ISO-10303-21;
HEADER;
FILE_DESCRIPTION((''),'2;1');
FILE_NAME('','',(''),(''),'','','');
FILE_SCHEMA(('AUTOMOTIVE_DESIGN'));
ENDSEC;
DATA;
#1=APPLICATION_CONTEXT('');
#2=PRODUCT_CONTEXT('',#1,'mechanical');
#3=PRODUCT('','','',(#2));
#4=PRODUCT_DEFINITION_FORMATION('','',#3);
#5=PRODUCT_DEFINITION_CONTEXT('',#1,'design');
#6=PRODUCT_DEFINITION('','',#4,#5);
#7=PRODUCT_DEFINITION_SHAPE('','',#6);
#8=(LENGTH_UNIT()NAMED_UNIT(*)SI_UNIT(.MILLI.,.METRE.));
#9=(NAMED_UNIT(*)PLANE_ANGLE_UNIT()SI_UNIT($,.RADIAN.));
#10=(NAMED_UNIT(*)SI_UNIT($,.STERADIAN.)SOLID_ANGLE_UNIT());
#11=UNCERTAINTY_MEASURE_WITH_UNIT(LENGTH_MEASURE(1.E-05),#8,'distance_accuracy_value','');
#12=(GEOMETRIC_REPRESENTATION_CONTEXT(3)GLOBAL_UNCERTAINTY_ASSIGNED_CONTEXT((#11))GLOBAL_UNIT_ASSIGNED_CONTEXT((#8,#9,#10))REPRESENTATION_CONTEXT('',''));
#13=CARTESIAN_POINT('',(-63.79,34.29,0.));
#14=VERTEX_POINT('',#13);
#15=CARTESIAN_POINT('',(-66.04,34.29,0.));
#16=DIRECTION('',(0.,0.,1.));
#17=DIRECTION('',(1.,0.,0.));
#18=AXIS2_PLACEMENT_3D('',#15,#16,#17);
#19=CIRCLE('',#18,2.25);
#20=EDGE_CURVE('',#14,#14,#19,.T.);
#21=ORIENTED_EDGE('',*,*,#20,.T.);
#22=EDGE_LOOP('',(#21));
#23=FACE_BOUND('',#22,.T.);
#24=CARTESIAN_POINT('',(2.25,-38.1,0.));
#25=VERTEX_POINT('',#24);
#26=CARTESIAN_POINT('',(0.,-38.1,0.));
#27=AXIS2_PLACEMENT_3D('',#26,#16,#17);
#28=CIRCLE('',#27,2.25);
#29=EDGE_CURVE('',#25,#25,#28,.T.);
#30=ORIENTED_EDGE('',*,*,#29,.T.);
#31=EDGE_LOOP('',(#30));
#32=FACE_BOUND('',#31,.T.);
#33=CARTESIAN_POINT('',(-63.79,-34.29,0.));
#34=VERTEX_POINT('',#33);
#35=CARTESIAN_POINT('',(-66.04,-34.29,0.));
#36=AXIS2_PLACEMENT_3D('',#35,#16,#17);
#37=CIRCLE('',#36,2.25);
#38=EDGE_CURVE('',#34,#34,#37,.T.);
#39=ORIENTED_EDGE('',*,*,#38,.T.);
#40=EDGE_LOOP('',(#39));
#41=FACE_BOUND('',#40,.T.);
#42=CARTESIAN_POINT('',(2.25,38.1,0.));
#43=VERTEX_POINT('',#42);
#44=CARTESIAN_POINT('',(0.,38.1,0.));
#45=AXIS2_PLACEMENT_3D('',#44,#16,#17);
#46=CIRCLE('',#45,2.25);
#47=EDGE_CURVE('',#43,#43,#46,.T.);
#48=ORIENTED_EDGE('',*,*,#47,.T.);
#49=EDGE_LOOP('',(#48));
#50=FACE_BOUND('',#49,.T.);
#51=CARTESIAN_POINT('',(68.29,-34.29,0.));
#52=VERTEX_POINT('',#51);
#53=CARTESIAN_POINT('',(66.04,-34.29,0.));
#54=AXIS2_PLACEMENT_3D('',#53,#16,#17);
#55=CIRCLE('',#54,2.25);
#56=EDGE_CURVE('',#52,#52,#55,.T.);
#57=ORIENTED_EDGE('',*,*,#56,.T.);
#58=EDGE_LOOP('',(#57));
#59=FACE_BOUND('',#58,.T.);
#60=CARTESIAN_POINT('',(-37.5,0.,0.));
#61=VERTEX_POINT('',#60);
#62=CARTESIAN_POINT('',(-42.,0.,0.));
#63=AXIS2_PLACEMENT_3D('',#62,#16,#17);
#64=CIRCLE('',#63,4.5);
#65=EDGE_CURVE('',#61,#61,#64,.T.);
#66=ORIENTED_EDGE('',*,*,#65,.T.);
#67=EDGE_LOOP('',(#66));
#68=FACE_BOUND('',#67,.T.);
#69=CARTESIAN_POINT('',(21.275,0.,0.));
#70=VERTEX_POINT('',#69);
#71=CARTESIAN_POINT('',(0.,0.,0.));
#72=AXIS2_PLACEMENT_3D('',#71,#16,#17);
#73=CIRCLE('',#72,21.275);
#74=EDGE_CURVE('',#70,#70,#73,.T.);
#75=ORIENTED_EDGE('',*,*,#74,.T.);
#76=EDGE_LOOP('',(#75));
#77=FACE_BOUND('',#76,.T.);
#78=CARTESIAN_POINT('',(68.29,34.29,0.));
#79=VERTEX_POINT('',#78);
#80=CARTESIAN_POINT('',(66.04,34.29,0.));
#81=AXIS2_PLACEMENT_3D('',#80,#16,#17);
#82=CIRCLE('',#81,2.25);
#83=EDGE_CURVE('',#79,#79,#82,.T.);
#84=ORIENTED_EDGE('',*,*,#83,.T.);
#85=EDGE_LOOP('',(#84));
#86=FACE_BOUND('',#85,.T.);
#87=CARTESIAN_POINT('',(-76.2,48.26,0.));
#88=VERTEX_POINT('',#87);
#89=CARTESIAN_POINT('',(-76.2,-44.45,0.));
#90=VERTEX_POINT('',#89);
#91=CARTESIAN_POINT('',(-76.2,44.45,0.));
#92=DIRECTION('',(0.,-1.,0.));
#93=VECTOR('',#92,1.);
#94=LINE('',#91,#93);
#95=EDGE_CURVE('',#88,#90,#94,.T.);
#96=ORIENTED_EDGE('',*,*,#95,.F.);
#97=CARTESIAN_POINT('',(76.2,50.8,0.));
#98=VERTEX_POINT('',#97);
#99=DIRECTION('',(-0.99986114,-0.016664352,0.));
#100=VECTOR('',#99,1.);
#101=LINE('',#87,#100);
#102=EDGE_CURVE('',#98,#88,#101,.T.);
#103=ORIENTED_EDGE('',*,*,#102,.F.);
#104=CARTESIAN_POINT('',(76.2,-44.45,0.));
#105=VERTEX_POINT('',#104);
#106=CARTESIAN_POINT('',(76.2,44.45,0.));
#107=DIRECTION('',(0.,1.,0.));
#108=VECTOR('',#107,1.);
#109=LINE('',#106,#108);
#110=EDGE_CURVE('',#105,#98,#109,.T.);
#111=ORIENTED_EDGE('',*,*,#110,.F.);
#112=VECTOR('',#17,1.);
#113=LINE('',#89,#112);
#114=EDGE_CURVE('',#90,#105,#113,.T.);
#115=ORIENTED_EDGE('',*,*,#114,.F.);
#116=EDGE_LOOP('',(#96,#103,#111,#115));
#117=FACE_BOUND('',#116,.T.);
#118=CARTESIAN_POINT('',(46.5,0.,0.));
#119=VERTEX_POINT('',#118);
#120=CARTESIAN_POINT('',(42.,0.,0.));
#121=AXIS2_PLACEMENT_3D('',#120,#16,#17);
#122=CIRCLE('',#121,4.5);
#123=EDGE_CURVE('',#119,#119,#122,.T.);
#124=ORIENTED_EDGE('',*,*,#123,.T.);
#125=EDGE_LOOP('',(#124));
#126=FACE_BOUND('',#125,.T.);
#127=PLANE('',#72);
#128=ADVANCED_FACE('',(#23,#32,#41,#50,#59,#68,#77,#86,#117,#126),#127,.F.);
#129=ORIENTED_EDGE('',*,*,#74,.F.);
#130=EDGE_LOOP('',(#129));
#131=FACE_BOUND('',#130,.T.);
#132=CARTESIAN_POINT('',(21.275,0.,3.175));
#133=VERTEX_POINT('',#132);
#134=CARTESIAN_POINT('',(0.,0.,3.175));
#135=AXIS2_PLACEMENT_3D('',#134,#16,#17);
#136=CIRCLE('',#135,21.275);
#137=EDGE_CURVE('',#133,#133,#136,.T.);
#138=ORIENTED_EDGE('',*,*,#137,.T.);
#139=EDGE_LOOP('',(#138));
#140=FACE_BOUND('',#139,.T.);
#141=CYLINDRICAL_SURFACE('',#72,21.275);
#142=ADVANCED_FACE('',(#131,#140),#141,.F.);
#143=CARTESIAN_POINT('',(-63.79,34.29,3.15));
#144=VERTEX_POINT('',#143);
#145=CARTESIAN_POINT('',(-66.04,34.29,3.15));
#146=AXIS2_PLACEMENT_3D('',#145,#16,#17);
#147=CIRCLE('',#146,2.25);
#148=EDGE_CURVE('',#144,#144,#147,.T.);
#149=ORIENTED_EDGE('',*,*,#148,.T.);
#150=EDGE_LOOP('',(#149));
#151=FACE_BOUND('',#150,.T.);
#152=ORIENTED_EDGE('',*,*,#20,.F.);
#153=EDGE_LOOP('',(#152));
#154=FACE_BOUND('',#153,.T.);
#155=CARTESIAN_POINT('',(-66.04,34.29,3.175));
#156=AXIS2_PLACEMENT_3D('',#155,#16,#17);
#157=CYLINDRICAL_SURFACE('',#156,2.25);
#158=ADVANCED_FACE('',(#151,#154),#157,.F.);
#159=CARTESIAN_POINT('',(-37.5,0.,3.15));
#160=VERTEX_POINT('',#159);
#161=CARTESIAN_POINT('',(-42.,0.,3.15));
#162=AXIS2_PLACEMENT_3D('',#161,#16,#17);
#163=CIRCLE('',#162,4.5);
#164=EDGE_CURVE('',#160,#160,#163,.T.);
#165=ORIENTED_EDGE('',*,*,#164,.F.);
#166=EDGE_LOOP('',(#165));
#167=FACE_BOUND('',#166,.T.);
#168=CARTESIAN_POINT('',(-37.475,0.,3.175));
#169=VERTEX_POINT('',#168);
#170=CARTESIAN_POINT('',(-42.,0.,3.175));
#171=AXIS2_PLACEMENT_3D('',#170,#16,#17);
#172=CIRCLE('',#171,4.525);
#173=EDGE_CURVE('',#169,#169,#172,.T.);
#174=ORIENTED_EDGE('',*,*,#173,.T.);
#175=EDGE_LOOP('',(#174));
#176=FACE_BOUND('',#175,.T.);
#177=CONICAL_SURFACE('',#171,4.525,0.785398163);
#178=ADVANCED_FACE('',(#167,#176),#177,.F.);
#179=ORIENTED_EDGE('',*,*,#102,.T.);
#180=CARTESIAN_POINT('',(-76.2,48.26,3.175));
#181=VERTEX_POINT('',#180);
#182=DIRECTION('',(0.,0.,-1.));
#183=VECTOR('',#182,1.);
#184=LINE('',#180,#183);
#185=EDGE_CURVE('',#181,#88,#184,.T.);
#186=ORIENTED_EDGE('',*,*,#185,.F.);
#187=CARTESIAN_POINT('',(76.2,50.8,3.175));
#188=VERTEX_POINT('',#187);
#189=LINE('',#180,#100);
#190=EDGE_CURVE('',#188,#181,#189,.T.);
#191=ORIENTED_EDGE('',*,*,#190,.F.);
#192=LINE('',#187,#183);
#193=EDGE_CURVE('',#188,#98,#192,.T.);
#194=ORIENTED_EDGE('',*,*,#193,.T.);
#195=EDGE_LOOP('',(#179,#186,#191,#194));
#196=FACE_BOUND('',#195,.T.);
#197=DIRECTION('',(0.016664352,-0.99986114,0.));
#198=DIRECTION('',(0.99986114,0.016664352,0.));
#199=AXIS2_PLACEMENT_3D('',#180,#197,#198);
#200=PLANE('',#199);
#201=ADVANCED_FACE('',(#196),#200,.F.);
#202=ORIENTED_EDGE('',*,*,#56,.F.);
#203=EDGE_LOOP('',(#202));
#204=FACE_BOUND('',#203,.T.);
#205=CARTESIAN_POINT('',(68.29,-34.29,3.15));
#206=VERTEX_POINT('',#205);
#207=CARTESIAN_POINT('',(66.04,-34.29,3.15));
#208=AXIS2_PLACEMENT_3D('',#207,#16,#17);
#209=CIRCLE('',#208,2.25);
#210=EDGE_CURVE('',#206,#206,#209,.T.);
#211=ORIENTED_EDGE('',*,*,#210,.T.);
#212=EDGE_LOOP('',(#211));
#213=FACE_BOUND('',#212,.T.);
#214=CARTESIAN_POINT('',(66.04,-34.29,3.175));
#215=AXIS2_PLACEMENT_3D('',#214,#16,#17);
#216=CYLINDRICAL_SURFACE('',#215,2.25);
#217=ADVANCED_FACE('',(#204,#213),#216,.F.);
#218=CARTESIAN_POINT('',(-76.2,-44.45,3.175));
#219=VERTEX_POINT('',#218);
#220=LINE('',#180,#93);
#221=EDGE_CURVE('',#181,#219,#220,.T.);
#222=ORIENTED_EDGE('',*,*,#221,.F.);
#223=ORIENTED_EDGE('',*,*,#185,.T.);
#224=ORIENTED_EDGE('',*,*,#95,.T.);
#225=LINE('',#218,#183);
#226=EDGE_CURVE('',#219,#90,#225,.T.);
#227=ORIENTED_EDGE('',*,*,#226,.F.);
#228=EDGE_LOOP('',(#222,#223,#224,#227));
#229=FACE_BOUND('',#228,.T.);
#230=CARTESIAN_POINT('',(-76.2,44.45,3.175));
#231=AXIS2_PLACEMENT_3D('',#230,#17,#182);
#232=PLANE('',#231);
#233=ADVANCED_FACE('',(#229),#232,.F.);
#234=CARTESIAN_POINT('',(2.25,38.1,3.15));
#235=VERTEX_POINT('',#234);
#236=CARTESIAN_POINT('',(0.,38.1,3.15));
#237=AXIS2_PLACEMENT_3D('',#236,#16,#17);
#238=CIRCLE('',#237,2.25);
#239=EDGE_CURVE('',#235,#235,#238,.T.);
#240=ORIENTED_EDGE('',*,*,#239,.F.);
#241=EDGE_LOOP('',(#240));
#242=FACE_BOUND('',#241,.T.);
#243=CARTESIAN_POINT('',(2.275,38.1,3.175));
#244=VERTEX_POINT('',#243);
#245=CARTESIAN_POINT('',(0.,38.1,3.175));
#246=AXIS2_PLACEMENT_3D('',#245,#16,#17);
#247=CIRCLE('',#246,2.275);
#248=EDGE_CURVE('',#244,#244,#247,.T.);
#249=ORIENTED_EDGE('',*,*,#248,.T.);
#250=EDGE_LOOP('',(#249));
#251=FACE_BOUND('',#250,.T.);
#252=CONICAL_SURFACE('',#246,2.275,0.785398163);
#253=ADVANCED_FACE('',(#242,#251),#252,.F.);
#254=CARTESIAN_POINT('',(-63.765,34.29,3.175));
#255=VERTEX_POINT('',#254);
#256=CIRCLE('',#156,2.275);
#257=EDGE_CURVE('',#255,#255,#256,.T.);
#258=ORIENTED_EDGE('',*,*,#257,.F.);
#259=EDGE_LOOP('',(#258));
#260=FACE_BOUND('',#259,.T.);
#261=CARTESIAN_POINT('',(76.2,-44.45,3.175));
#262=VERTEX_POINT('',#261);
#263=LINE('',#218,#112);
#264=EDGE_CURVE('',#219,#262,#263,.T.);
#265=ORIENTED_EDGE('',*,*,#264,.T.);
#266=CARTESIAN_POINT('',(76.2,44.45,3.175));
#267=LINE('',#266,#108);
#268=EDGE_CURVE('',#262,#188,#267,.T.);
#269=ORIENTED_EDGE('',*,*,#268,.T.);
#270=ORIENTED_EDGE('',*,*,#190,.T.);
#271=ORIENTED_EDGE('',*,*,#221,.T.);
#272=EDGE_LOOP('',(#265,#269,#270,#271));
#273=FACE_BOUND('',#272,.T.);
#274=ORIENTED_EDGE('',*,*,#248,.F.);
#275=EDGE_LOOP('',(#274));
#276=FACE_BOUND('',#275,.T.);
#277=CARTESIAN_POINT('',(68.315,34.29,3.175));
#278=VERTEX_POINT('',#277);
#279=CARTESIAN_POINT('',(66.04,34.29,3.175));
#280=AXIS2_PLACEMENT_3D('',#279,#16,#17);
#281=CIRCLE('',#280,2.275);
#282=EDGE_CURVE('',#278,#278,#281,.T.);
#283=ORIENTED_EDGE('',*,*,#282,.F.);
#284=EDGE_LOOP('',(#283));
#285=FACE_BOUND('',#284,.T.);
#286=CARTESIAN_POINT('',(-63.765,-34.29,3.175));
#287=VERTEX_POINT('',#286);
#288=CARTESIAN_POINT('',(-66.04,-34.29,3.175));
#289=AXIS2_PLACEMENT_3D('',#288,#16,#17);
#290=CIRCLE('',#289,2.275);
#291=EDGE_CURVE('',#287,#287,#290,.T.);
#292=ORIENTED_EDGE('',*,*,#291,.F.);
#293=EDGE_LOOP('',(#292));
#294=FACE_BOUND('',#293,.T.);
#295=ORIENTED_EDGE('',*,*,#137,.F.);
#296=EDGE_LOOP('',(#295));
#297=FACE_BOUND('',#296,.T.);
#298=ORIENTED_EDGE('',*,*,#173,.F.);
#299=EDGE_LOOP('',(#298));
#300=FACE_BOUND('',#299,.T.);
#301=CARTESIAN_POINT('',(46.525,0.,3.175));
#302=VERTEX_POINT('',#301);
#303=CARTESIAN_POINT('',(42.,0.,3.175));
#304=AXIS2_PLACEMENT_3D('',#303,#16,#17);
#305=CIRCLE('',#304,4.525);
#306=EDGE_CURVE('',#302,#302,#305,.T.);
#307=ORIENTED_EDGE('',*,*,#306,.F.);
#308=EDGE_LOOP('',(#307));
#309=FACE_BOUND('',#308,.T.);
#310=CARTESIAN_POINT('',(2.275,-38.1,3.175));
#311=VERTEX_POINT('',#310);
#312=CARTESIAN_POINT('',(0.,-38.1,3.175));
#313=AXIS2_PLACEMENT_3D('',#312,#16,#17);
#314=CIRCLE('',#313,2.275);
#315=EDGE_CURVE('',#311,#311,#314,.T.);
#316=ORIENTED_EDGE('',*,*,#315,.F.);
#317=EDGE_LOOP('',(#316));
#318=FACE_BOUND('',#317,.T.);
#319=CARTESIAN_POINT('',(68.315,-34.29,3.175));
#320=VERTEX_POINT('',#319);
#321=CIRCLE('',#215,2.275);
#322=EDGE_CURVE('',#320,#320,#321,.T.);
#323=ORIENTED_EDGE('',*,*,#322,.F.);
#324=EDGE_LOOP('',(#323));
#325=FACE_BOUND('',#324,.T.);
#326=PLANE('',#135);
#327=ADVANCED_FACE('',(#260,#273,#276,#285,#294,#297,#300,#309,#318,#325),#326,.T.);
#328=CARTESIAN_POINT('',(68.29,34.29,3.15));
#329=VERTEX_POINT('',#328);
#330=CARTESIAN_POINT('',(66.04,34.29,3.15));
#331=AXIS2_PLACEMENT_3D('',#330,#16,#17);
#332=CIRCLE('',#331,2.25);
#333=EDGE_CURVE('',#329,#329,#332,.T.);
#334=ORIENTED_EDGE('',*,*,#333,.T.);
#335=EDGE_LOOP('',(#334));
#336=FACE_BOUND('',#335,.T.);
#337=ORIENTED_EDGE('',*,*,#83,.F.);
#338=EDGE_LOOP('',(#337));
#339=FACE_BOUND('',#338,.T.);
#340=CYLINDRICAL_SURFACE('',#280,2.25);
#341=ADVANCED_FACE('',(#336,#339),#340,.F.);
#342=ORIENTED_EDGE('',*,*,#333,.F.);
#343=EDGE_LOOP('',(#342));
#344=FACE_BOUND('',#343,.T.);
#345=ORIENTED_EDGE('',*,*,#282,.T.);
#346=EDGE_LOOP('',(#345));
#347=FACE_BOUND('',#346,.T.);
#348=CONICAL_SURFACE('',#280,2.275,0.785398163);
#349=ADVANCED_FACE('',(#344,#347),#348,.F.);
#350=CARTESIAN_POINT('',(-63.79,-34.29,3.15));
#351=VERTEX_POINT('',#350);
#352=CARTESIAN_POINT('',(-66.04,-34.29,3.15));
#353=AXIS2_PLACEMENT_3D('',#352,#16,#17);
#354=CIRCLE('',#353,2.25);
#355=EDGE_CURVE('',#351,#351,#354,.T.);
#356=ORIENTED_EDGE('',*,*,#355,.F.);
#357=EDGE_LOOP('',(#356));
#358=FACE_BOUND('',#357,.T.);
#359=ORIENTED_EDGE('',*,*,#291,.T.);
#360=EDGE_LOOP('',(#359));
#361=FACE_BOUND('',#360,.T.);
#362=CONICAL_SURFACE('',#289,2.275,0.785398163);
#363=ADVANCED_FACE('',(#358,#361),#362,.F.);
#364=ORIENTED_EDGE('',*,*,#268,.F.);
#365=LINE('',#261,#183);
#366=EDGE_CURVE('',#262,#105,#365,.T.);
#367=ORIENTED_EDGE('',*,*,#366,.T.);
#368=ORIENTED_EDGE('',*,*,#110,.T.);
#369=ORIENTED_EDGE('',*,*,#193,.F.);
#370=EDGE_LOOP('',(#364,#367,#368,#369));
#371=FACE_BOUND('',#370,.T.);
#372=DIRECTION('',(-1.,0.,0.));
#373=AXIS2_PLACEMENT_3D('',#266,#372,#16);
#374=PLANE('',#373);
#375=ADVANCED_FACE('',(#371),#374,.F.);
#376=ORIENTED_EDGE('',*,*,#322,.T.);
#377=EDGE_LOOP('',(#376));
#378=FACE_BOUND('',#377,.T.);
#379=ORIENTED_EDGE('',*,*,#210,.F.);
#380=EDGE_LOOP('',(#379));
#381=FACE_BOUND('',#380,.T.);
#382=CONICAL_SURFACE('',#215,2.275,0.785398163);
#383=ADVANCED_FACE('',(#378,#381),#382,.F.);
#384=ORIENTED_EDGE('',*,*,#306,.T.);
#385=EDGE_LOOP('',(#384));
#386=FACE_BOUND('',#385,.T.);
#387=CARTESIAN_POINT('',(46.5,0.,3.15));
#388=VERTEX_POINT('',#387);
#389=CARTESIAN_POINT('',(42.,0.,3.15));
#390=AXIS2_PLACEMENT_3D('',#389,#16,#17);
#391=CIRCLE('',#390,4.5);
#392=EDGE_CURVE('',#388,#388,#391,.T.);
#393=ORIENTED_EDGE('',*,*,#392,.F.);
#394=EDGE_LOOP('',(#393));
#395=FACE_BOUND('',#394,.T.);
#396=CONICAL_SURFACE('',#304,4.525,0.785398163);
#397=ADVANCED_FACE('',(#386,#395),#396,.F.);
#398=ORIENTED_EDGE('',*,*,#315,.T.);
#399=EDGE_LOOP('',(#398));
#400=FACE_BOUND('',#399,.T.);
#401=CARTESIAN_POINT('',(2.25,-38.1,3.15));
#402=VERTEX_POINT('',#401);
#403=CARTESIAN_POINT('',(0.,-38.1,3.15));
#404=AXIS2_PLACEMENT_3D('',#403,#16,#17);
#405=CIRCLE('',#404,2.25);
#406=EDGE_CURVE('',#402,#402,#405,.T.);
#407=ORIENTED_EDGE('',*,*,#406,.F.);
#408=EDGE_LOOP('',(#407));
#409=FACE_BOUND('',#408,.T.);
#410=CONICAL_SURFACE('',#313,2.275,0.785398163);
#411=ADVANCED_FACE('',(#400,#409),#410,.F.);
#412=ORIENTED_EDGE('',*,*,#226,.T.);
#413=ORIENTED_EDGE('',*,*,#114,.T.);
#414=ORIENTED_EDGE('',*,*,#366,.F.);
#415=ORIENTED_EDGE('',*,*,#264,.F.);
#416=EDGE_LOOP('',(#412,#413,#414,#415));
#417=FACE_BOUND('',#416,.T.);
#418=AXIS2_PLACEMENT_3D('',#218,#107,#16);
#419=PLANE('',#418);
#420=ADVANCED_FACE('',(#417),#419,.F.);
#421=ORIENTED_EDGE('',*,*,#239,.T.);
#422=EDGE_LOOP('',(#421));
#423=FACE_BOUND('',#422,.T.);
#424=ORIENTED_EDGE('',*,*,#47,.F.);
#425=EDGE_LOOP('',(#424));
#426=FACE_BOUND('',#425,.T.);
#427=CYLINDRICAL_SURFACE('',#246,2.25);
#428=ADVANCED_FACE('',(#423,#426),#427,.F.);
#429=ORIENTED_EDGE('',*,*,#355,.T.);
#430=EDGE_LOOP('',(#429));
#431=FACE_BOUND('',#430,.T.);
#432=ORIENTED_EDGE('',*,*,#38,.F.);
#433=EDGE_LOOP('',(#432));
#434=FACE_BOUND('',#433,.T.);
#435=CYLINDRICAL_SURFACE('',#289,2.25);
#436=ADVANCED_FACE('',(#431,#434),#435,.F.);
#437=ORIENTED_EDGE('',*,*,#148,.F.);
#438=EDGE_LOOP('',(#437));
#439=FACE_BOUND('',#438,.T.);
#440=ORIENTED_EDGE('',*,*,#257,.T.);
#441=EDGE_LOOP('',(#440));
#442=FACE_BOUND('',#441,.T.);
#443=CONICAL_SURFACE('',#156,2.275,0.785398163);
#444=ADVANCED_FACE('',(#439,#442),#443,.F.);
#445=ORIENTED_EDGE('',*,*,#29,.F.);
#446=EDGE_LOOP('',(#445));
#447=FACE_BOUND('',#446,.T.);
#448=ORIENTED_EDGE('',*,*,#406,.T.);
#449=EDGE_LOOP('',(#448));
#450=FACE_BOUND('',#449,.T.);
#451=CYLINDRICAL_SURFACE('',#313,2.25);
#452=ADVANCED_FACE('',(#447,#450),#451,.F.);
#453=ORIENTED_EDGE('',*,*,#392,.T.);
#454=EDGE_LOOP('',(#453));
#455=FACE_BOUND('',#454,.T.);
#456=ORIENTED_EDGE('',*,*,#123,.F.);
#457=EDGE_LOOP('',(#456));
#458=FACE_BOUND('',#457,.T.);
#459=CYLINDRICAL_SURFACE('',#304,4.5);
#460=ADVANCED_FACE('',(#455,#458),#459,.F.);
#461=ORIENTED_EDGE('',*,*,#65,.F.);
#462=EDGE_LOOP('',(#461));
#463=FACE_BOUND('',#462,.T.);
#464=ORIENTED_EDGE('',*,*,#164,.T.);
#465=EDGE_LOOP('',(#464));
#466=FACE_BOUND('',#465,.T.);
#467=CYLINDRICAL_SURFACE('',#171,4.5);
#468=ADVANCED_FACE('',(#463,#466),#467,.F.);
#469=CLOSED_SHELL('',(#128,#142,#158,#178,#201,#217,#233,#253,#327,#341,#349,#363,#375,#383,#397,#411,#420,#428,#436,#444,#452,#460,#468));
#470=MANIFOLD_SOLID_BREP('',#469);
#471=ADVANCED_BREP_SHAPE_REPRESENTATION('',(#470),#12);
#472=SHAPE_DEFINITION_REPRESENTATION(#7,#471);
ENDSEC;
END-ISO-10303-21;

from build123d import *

# Parameters (mm, degrees)
BOSS_EXTRUDE1_DEPTH            = 3.175
M4_CLEARANCE_HOLE1_D           = 4.5
M4_CLEARANCE_HOLE1_CSINK_D     = 4.55
M4_CLEARANCE_HOLE1_CSINK_ANGLE = 90
M8_CLEARANCE_HOLE1_AT_2_COUNT  = 2
M8_CLEARANCE_HOLE1_AT_2_PITCH  = 84
SKETCH9_R                      = 21.275
CENTER_HOLE_DEPTH              = 4.175


with BuildPart() as part:
    # Sketch1 → Boss-Extrude1 (new body)
    with BuildSketch(Plane.XY):
        Polygon((-76.2, 48.26), (-76.2, 44.45), (-76.2, -44.45), (76.2, -44.45), (76.2, 44.45), (76.2, 50.8), align=None)
    extrude(amount=BOSS_EXTRUDE1_DEPTH)

    # M4 Clearance Hole1 (through all)
    with Locations(Plane.XY.offset(3.175)):
        with Locations((0, 38.1), (-66.04, 34.29), (-66.04, -34.29), (0, -38.1), (66.04, -34.29), (66.04, 34.29)):
            CounterSinkHole(M4_CLEARANCE_HOLE1_D / 2, M4_CLEARANCE_HOLE1_CSINK_D / 2, counter_sink_angle=M4_CLEARANCE_HOLE1_CSINK_ANGLE)

    # Sketch11 → M8 Clearance Hole1 (revolve, cut)
    with BuildSketch(Plane(origin=(-42, 0, 3.175), x_dir=(0, -1, 0), z_dir=(1, 0, 0))):
        Polygon((0, 0), (0, 3.175), (4.5, 3.175), (4.5, 0.025), (4.525, 0), align=None)
    m8_clearance_hole1 = revolve(axis=Axis((-42, 0, 9.525), (0, 0, -1)), mode=Mode.SUBTRACT)

    # M8 Clearance Hole1 at 2: M8 Clearance Hole1 ×2
    with Locations(*[(i * M8_CLEARANCE_HOLE1_AT_2_PITCH, 0, 0) for i in range(1, M8_CLEARANCE_HOLE1_AT_2_COUNT)]):
        add(m8_clearance_hole1, mode=Mode.SUBTRACT)

    # Sketch9 → Center Hole (cut, through all)
    with BuildSketch(Plane.XY.offset(3.175)):
        Circle(SKETCH9_R)
    extrude(amount=-CENTER_HOLE_DEPTH, mode=Mode.SUBTRACT)


solid = part.part
